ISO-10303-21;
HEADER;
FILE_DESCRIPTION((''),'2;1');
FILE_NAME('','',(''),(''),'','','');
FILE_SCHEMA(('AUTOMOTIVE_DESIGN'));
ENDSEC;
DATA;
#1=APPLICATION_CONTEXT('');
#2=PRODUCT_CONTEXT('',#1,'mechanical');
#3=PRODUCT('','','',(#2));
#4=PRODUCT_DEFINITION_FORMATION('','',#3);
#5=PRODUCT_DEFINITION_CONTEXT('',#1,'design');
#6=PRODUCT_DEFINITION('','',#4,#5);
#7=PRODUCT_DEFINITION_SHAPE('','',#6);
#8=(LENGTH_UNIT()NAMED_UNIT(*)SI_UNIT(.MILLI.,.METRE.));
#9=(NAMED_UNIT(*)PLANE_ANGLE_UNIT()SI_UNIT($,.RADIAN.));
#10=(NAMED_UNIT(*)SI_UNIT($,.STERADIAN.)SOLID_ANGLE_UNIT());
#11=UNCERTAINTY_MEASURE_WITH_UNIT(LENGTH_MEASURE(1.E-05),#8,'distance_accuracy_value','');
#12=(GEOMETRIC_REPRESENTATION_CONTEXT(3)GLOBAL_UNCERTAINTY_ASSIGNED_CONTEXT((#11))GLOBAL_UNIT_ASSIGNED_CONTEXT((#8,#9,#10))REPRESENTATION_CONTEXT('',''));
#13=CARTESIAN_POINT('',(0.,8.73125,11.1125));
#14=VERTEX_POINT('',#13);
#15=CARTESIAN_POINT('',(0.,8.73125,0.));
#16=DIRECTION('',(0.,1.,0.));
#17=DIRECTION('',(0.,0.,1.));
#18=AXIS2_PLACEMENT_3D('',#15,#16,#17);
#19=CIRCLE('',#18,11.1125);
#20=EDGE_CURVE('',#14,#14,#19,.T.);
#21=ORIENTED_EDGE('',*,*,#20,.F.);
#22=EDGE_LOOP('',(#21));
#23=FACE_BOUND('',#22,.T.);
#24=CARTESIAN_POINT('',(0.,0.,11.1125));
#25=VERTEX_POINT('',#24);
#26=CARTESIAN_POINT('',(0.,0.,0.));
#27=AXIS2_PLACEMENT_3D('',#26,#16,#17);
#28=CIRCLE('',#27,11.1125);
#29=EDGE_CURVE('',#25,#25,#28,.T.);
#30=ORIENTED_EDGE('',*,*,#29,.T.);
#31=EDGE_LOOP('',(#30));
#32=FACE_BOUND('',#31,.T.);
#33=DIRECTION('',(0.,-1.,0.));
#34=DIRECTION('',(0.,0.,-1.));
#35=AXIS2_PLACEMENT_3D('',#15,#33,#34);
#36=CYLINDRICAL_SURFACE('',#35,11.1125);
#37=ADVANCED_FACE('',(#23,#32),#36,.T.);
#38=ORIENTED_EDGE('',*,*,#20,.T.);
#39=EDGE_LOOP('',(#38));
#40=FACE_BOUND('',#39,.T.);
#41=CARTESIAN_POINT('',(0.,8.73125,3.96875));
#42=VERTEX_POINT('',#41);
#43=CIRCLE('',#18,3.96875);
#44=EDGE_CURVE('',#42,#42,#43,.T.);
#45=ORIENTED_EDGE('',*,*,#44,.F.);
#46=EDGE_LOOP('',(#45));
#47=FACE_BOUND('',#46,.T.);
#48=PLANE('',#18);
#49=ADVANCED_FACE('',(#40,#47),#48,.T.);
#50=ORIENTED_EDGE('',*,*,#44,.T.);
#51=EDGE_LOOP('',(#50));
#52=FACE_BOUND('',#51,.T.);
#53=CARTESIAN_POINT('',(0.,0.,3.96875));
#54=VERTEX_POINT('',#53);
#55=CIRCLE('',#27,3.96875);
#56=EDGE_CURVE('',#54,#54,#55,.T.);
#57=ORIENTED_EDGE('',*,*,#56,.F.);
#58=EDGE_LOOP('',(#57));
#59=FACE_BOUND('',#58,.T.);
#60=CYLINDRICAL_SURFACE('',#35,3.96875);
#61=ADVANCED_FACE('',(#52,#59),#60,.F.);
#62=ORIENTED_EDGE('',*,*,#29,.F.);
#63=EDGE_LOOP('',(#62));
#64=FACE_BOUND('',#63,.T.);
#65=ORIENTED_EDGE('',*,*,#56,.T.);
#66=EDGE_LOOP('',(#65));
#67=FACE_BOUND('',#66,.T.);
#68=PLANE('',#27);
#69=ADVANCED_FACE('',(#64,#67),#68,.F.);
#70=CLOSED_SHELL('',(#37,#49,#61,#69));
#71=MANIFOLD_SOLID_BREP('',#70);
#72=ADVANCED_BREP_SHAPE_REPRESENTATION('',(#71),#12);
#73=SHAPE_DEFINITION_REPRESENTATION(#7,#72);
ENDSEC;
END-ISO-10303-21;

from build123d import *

# Parameters (mm, degrees)
SKETCH1_R           = 11.1125
SKETCH1_R_2         = 3.96875
BOSS_EXTRUDE1_DEPTH = 8.73125


with BuildPart() as part:
    # Sketch1 → Boss-Extrude1 (new body)
    with BuildSketch(Plane(origin=(0, 0, 0), x_dir=(1, 0, 0), z_dir=(0, 1, 0))):
        Circle(SKETCH1_R)
        Circle(SKETCH1_R_2, mode=Mode.SUBTRACT)
    extrude(amount=BOSS_EXTRUDE1_DEPTH)


solid = part.part
